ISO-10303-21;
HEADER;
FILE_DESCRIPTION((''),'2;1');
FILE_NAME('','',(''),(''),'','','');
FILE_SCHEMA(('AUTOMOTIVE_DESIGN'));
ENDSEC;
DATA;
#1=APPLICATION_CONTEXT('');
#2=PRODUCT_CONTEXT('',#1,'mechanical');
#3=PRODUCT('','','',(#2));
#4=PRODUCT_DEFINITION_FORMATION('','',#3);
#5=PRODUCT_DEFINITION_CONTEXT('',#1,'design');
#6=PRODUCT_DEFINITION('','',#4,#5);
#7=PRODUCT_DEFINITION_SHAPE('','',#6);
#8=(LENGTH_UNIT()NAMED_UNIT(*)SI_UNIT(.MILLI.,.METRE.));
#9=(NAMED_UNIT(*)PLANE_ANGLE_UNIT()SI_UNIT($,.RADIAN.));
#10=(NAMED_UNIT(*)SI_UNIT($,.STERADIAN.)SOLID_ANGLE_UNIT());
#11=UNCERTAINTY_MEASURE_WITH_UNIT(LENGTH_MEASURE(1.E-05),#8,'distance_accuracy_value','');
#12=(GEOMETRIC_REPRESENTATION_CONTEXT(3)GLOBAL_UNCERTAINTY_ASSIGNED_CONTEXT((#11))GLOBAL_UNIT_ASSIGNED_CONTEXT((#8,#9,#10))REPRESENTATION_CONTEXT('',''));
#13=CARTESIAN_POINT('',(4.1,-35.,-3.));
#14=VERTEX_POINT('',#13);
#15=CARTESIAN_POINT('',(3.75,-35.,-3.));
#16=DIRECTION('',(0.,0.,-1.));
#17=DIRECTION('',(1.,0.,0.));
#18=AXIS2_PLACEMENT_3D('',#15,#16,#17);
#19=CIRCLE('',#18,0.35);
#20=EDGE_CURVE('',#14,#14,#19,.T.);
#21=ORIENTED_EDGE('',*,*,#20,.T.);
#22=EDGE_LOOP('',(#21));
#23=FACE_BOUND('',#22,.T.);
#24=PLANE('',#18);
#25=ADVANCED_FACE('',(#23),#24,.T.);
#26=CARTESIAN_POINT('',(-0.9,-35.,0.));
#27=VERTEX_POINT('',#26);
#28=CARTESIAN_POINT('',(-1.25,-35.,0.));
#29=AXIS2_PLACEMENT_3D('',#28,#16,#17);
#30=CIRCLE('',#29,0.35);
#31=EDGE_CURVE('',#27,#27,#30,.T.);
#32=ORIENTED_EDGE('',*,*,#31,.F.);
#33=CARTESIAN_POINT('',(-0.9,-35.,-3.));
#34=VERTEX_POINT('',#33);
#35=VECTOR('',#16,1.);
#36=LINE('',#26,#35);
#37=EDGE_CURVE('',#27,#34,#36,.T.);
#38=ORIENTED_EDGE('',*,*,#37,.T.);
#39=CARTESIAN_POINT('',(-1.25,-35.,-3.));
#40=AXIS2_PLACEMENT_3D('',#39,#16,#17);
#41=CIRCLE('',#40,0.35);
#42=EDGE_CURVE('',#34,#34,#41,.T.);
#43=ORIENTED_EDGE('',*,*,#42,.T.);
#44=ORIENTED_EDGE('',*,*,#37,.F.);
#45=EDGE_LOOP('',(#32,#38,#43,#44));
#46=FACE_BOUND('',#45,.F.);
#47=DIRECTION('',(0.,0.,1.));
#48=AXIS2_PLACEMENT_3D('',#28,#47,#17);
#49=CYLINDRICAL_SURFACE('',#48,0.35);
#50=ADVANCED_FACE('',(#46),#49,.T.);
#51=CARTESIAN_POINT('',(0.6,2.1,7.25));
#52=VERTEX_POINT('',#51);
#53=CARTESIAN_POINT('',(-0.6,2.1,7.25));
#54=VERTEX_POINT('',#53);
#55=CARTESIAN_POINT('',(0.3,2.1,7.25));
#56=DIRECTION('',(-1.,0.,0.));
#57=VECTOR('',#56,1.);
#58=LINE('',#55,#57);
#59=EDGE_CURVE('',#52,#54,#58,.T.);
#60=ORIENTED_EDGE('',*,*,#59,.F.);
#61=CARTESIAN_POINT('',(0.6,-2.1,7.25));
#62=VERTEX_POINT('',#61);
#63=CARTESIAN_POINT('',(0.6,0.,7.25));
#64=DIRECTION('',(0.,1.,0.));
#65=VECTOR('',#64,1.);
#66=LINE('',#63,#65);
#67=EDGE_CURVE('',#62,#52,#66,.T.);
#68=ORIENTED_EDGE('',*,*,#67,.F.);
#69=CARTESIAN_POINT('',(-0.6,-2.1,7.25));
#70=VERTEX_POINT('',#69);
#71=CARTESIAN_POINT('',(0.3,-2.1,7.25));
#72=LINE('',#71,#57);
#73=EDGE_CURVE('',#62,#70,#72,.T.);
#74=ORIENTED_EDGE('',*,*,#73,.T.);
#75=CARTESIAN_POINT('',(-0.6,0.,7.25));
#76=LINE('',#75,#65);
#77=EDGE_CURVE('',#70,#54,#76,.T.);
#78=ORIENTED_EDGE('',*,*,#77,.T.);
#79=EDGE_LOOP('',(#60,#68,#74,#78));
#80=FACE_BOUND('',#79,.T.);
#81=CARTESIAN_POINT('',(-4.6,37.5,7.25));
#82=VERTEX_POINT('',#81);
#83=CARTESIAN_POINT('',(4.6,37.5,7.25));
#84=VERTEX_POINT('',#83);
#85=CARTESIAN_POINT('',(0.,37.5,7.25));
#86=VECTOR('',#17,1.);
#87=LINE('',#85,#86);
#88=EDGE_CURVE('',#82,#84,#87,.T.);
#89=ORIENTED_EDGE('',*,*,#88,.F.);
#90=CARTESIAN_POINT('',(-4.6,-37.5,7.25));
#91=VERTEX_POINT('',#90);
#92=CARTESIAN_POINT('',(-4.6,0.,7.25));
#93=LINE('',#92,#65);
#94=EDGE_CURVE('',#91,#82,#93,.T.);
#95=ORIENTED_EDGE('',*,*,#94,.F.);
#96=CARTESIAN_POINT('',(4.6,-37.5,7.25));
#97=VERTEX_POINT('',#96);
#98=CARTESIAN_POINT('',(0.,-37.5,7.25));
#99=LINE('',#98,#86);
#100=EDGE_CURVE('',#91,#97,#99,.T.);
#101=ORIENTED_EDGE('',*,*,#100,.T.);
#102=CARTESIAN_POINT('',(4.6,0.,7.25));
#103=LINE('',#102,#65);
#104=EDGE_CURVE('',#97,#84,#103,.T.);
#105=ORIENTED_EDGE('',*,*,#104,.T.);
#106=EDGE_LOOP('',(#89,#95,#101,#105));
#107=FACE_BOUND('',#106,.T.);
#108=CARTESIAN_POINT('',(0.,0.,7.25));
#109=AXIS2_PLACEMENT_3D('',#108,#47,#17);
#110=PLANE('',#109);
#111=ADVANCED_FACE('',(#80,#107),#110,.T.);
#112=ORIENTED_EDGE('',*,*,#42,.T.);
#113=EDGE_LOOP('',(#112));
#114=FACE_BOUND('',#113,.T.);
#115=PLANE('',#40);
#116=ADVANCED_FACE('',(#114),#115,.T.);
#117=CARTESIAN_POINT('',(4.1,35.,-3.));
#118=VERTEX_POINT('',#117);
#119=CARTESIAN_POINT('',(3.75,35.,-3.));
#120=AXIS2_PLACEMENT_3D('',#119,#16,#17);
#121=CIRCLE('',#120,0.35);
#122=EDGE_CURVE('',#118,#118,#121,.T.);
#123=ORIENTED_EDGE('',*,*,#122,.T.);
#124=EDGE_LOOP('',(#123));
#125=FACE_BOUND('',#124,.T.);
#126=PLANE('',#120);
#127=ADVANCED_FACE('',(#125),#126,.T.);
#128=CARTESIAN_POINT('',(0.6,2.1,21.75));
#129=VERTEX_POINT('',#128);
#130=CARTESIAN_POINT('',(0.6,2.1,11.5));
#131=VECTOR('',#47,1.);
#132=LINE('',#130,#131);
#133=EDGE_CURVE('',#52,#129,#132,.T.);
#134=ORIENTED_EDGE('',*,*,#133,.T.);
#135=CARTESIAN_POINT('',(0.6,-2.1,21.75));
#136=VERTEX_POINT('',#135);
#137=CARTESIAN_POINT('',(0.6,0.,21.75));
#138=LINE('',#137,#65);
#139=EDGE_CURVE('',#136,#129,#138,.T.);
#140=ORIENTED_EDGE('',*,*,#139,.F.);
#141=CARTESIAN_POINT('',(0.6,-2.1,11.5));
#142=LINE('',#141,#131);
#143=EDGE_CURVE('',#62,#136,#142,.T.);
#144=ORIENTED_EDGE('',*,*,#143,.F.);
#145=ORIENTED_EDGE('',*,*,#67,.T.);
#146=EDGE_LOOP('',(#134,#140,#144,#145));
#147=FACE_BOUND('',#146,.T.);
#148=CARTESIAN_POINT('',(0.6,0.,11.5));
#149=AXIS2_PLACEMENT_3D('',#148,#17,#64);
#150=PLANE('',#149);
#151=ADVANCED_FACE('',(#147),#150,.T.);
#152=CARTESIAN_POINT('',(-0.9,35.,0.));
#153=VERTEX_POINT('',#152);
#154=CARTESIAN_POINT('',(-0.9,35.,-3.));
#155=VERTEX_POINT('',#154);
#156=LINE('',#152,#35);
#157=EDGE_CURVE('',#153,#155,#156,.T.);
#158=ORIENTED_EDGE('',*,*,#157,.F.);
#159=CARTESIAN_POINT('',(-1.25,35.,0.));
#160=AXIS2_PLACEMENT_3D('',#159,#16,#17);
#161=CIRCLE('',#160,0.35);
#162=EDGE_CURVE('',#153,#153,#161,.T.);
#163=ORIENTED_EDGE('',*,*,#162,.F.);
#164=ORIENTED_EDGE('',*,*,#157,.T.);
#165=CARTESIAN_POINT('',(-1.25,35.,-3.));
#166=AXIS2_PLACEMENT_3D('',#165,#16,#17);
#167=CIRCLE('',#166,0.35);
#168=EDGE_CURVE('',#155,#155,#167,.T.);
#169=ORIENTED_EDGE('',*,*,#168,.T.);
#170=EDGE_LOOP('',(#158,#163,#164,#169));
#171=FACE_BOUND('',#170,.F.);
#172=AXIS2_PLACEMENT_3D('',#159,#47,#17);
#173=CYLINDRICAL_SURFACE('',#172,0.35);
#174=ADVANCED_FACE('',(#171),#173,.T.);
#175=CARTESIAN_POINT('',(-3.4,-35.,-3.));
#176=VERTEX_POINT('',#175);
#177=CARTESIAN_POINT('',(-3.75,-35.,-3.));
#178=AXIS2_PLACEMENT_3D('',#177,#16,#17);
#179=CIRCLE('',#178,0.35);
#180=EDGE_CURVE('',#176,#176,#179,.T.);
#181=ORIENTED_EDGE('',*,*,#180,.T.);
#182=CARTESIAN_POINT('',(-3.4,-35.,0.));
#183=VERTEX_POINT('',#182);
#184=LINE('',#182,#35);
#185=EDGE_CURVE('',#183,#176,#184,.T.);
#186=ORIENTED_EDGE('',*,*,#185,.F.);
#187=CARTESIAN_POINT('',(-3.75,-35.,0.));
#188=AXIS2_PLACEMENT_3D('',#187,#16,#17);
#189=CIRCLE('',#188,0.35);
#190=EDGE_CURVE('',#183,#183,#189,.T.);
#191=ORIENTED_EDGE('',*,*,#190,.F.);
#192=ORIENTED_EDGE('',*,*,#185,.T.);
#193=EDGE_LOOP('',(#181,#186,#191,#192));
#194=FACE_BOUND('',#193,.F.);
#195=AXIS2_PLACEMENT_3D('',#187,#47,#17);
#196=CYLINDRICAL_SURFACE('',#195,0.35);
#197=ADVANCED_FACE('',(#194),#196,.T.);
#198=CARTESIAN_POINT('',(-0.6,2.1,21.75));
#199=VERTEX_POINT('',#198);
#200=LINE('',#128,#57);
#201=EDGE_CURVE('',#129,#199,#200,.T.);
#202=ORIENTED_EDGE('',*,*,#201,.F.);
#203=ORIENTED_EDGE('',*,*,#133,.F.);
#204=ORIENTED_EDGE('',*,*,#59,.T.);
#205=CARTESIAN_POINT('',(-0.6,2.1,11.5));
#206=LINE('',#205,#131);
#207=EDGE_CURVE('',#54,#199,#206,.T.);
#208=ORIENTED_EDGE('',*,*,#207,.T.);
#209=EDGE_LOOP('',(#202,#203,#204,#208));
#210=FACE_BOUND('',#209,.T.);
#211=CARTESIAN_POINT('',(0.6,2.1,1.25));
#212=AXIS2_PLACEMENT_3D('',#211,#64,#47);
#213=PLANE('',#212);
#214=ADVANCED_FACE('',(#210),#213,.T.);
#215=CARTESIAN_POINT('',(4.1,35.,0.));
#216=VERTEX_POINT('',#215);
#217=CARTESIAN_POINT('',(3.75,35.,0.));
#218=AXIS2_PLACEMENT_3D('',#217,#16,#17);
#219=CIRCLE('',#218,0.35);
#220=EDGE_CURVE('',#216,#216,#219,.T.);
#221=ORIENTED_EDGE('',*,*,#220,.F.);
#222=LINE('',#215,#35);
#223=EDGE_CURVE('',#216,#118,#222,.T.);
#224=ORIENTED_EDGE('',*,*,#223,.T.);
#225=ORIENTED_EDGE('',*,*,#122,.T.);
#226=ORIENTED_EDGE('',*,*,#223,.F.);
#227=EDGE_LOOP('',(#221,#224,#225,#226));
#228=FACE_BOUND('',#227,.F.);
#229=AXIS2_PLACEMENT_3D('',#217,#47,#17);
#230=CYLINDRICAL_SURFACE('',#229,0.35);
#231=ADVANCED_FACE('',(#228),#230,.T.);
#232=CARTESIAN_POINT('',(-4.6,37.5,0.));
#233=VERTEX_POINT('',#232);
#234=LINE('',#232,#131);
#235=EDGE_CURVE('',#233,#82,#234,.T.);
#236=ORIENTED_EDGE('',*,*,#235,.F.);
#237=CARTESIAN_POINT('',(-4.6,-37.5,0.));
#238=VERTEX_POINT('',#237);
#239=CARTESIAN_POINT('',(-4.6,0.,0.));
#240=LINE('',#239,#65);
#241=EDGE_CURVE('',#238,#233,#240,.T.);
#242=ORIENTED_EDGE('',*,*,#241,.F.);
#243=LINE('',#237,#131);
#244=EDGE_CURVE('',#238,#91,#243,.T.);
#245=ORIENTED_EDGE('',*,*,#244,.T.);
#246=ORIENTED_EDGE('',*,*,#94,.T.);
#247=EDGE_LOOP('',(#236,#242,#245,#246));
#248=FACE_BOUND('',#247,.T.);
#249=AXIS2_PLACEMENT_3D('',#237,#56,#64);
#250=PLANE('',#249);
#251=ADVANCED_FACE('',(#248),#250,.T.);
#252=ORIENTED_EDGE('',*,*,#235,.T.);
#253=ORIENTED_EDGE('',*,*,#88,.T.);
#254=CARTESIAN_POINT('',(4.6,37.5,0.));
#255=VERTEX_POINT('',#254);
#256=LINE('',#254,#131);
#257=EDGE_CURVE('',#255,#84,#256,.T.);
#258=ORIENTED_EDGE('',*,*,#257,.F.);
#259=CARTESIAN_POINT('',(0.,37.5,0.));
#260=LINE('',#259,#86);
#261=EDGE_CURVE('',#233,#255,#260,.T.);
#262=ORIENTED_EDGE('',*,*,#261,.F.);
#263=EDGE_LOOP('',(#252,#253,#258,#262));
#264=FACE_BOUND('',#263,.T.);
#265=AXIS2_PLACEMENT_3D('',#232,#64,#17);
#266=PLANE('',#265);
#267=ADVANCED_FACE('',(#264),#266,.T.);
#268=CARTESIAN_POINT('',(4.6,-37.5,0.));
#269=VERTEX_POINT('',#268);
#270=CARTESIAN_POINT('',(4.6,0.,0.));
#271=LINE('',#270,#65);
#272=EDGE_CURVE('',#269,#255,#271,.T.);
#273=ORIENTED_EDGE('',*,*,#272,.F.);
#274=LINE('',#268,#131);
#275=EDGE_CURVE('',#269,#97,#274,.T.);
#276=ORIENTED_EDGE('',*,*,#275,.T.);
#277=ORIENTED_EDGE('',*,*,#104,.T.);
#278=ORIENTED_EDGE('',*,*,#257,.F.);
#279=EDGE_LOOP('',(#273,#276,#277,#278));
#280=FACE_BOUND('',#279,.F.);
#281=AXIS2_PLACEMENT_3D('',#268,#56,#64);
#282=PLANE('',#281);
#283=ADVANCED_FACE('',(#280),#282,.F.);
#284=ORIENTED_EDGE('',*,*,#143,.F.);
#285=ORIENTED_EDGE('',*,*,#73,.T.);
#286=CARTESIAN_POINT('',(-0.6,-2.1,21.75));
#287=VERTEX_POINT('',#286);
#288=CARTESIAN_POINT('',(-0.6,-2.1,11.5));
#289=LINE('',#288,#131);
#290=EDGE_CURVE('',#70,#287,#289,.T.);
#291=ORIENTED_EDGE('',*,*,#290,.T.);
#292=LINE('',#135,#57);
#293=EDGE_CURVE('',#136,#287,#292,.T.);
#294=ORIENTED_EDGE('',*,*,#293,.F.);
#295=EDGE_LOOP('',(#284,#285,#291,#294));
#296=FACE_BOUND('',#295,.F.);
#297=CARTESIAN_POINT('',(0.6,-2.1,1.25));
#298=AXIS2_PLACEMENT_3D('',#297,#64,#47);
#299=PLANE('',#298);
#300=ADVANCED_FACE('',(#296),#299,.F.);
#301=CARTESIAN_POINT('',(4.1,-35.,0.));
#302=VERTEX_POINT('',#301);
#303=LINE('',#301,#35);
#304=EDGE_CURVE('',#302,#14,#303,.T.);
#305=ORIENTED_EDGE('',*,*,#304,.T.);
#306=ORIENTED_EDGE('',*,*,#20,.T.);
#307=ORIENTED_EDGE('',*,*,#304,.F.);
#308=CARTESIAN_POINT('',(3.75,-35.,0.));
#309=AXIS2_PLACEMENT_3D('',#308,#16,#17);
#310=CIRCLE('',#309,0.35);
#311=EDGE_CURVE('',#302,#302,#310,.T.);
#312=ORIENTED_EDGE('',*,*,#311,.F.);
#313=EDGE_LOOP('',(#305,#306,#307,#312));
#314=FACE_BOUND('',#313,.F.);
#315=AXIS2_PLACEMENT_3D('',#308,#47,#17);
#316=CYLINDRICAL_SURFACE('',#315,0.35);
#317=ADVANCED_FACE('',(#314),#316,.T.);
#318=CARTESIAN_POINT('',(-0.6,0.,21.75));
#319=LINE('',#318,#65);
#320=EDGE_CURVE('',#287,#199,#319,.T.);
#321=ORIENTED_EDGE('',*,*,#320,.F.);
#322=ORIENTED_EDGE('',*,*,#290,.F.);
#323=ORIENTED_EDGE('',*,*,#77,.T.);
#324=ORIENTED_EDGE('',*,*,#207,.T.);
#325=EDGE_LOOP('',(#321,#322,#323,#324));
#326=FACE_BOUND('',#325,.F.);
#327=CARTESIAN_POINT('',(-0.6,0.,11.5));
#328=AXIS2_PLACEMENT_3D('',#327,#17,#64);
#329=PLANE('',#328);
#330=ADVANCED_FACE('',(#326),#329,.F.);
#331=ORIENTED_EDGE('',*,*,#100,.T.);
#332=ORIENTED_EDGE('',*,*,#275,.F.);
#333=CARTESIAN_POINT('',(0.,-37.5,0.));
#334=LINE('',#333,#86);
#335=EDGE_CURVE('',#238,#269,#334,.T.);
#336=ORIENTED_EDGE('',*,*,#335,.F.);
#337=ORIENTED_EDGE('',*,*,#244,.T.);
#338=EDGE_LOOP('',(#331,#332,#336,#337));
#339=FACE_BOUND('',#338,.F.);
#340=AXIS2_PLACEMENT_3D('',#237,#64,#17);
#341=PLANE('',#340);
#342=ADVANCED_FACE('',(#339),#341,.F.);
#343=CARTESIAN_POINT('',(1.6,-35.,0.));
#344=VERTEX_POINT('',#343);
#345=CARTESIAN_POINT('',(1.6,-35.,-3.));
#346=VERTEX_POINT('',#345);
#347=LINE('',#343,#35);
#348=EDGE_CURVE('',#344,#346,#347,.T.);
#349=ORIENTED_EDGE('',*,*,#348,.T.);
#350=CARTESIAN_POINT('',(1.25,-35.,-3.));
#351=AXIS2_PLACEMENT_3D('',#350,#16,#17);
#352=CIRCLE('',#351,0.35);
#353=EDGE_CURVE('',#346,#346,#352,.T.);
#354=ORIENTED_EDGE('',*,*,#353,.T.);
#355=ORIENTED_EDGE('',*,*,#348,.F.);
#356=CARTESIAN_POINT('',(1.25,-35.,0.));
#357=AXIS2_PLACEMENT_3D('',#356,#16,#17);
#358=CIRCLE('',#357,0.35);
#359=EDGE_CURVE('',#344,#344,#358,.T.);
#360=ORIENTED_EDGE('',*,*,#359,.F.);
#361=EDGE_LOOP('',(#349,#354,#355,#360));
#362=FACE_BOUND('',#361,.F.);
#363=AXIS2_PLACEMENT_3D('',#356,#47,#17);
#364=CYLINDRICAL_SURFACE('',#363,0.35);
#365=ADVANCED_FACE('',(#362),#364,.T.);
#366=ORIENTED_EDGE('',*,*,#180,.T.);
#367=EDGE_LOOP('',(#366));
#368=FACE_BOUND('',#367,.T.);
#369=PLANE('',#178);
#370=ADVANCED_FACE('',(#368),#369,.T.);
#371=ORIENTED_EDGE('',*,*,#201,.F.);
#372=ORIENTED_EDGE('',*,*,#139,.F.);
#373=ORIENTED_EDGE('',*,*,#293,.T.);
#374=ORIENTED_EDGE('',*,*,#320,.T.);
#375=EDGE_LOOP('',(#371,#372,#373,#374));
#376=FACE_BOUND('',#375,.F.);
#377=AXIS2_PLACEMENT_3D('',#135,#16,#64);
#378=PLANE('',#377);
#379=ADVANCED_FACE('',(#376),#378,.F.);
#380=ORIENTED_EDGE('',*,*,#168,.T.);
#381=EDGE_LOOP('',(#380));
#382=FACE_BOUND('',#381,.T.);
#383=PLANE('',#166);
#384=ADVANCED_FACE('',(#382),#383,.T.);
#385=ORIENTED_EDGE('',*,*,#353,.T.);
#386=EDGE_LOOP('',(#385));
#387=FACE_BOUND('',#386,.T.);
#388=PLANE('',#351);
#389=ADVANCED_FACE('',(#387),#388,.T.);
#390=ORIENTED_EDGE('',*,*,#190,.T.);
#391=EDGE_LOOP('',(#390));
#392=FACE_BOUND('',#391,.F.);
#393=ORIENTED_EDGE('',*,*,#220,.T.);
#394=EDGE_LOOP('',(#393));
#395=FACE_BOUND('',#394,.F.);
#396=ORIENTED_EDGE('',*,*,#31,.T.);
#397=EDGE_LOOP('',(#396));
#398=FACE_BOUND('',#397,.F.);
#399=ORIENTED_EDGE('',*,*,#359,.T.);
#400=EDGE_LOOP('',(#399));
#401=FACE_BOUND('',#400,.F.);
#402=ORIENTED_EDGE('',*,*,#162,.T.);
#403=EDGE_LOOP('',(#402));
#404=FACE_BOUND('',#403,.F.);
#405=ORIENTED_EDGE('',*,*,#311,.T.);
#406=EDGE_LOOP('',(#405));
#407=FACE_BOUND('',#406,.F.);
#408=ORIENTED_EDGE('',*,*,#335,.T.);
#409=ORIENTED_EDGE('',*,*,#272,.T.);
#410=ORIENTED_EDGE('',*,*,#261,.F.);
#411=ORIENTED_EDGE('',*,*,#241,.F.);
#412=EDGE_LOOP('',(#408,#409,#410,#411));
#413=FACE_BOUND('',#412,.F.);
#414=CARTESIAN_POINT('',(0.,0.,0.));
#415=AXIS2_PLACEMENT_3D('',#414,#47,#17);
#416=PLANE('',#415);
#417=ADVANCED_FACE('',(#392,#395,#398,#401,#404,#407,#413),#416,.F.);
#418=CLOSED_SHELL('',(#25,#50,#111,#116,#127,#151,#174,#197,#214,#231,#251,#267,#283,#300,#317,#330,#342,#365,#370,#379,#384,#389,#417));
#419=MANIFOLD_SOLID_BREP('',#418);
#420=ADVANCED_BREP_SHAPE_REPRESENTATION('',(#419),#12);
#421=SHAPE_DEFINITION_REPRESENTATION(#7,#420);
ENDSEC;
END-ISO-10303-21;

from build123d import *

# Parameters (mm, degrees)
SKETCH_W     = 9.2
SKETCH_H     = 75
PAD_DEPTH    = 7.25
SKETCH001_W  = 4.2
SKETCH001_H  = 20.5
PAD001_DEPTH = 1.2
SKETCH002_R  = 0.35
PAD002_DEPTH = 3


with BuildPart() as part:
    # Sketch → Pad (new body)
    with BuildSketch(Plane.XY):
        Rectangle(SKETCH_W, SKETCH_H)
    extrude(amount=PAD_DEPTH)

    # Sketch001 (on Face2 of Pad) → Pad001 (join)
    with BuildSketch(Plane.YZ.offset(0.6)):
        with Locations((0, 11.5)):
            Rectangle(SKETCH001_W, SKETCH001_H)
    extrude(amount=-PAD001_DEPTH)

    # Sketch002 (on Face4 of Pad001) → Pad002 (join)
    with BuildSketch(Plane(origin=(0, 0, 0), x_dir=(1, 0, 0), z_dir=(0, 0, -1))):
        with Locations((-3.75, 35)):
            Circle(SKETCH002_R)
        with Locations((-1.25, 35)):
            Circle(SKETCH002_R)
        with Locations((1.25, 35)):
            Circle(SKETCH002_R)
        with Locations((3.75, 35)):
            Circle(SKETCH002_R)
        with Locations((3.75, -35)):
            Circle(SKETCH002_R)
        with Locations((-1.25, -35)):
            Circle(SKETCH002_R)
    extrude(amount=PAD002_DEPTH)


solid = part.part
